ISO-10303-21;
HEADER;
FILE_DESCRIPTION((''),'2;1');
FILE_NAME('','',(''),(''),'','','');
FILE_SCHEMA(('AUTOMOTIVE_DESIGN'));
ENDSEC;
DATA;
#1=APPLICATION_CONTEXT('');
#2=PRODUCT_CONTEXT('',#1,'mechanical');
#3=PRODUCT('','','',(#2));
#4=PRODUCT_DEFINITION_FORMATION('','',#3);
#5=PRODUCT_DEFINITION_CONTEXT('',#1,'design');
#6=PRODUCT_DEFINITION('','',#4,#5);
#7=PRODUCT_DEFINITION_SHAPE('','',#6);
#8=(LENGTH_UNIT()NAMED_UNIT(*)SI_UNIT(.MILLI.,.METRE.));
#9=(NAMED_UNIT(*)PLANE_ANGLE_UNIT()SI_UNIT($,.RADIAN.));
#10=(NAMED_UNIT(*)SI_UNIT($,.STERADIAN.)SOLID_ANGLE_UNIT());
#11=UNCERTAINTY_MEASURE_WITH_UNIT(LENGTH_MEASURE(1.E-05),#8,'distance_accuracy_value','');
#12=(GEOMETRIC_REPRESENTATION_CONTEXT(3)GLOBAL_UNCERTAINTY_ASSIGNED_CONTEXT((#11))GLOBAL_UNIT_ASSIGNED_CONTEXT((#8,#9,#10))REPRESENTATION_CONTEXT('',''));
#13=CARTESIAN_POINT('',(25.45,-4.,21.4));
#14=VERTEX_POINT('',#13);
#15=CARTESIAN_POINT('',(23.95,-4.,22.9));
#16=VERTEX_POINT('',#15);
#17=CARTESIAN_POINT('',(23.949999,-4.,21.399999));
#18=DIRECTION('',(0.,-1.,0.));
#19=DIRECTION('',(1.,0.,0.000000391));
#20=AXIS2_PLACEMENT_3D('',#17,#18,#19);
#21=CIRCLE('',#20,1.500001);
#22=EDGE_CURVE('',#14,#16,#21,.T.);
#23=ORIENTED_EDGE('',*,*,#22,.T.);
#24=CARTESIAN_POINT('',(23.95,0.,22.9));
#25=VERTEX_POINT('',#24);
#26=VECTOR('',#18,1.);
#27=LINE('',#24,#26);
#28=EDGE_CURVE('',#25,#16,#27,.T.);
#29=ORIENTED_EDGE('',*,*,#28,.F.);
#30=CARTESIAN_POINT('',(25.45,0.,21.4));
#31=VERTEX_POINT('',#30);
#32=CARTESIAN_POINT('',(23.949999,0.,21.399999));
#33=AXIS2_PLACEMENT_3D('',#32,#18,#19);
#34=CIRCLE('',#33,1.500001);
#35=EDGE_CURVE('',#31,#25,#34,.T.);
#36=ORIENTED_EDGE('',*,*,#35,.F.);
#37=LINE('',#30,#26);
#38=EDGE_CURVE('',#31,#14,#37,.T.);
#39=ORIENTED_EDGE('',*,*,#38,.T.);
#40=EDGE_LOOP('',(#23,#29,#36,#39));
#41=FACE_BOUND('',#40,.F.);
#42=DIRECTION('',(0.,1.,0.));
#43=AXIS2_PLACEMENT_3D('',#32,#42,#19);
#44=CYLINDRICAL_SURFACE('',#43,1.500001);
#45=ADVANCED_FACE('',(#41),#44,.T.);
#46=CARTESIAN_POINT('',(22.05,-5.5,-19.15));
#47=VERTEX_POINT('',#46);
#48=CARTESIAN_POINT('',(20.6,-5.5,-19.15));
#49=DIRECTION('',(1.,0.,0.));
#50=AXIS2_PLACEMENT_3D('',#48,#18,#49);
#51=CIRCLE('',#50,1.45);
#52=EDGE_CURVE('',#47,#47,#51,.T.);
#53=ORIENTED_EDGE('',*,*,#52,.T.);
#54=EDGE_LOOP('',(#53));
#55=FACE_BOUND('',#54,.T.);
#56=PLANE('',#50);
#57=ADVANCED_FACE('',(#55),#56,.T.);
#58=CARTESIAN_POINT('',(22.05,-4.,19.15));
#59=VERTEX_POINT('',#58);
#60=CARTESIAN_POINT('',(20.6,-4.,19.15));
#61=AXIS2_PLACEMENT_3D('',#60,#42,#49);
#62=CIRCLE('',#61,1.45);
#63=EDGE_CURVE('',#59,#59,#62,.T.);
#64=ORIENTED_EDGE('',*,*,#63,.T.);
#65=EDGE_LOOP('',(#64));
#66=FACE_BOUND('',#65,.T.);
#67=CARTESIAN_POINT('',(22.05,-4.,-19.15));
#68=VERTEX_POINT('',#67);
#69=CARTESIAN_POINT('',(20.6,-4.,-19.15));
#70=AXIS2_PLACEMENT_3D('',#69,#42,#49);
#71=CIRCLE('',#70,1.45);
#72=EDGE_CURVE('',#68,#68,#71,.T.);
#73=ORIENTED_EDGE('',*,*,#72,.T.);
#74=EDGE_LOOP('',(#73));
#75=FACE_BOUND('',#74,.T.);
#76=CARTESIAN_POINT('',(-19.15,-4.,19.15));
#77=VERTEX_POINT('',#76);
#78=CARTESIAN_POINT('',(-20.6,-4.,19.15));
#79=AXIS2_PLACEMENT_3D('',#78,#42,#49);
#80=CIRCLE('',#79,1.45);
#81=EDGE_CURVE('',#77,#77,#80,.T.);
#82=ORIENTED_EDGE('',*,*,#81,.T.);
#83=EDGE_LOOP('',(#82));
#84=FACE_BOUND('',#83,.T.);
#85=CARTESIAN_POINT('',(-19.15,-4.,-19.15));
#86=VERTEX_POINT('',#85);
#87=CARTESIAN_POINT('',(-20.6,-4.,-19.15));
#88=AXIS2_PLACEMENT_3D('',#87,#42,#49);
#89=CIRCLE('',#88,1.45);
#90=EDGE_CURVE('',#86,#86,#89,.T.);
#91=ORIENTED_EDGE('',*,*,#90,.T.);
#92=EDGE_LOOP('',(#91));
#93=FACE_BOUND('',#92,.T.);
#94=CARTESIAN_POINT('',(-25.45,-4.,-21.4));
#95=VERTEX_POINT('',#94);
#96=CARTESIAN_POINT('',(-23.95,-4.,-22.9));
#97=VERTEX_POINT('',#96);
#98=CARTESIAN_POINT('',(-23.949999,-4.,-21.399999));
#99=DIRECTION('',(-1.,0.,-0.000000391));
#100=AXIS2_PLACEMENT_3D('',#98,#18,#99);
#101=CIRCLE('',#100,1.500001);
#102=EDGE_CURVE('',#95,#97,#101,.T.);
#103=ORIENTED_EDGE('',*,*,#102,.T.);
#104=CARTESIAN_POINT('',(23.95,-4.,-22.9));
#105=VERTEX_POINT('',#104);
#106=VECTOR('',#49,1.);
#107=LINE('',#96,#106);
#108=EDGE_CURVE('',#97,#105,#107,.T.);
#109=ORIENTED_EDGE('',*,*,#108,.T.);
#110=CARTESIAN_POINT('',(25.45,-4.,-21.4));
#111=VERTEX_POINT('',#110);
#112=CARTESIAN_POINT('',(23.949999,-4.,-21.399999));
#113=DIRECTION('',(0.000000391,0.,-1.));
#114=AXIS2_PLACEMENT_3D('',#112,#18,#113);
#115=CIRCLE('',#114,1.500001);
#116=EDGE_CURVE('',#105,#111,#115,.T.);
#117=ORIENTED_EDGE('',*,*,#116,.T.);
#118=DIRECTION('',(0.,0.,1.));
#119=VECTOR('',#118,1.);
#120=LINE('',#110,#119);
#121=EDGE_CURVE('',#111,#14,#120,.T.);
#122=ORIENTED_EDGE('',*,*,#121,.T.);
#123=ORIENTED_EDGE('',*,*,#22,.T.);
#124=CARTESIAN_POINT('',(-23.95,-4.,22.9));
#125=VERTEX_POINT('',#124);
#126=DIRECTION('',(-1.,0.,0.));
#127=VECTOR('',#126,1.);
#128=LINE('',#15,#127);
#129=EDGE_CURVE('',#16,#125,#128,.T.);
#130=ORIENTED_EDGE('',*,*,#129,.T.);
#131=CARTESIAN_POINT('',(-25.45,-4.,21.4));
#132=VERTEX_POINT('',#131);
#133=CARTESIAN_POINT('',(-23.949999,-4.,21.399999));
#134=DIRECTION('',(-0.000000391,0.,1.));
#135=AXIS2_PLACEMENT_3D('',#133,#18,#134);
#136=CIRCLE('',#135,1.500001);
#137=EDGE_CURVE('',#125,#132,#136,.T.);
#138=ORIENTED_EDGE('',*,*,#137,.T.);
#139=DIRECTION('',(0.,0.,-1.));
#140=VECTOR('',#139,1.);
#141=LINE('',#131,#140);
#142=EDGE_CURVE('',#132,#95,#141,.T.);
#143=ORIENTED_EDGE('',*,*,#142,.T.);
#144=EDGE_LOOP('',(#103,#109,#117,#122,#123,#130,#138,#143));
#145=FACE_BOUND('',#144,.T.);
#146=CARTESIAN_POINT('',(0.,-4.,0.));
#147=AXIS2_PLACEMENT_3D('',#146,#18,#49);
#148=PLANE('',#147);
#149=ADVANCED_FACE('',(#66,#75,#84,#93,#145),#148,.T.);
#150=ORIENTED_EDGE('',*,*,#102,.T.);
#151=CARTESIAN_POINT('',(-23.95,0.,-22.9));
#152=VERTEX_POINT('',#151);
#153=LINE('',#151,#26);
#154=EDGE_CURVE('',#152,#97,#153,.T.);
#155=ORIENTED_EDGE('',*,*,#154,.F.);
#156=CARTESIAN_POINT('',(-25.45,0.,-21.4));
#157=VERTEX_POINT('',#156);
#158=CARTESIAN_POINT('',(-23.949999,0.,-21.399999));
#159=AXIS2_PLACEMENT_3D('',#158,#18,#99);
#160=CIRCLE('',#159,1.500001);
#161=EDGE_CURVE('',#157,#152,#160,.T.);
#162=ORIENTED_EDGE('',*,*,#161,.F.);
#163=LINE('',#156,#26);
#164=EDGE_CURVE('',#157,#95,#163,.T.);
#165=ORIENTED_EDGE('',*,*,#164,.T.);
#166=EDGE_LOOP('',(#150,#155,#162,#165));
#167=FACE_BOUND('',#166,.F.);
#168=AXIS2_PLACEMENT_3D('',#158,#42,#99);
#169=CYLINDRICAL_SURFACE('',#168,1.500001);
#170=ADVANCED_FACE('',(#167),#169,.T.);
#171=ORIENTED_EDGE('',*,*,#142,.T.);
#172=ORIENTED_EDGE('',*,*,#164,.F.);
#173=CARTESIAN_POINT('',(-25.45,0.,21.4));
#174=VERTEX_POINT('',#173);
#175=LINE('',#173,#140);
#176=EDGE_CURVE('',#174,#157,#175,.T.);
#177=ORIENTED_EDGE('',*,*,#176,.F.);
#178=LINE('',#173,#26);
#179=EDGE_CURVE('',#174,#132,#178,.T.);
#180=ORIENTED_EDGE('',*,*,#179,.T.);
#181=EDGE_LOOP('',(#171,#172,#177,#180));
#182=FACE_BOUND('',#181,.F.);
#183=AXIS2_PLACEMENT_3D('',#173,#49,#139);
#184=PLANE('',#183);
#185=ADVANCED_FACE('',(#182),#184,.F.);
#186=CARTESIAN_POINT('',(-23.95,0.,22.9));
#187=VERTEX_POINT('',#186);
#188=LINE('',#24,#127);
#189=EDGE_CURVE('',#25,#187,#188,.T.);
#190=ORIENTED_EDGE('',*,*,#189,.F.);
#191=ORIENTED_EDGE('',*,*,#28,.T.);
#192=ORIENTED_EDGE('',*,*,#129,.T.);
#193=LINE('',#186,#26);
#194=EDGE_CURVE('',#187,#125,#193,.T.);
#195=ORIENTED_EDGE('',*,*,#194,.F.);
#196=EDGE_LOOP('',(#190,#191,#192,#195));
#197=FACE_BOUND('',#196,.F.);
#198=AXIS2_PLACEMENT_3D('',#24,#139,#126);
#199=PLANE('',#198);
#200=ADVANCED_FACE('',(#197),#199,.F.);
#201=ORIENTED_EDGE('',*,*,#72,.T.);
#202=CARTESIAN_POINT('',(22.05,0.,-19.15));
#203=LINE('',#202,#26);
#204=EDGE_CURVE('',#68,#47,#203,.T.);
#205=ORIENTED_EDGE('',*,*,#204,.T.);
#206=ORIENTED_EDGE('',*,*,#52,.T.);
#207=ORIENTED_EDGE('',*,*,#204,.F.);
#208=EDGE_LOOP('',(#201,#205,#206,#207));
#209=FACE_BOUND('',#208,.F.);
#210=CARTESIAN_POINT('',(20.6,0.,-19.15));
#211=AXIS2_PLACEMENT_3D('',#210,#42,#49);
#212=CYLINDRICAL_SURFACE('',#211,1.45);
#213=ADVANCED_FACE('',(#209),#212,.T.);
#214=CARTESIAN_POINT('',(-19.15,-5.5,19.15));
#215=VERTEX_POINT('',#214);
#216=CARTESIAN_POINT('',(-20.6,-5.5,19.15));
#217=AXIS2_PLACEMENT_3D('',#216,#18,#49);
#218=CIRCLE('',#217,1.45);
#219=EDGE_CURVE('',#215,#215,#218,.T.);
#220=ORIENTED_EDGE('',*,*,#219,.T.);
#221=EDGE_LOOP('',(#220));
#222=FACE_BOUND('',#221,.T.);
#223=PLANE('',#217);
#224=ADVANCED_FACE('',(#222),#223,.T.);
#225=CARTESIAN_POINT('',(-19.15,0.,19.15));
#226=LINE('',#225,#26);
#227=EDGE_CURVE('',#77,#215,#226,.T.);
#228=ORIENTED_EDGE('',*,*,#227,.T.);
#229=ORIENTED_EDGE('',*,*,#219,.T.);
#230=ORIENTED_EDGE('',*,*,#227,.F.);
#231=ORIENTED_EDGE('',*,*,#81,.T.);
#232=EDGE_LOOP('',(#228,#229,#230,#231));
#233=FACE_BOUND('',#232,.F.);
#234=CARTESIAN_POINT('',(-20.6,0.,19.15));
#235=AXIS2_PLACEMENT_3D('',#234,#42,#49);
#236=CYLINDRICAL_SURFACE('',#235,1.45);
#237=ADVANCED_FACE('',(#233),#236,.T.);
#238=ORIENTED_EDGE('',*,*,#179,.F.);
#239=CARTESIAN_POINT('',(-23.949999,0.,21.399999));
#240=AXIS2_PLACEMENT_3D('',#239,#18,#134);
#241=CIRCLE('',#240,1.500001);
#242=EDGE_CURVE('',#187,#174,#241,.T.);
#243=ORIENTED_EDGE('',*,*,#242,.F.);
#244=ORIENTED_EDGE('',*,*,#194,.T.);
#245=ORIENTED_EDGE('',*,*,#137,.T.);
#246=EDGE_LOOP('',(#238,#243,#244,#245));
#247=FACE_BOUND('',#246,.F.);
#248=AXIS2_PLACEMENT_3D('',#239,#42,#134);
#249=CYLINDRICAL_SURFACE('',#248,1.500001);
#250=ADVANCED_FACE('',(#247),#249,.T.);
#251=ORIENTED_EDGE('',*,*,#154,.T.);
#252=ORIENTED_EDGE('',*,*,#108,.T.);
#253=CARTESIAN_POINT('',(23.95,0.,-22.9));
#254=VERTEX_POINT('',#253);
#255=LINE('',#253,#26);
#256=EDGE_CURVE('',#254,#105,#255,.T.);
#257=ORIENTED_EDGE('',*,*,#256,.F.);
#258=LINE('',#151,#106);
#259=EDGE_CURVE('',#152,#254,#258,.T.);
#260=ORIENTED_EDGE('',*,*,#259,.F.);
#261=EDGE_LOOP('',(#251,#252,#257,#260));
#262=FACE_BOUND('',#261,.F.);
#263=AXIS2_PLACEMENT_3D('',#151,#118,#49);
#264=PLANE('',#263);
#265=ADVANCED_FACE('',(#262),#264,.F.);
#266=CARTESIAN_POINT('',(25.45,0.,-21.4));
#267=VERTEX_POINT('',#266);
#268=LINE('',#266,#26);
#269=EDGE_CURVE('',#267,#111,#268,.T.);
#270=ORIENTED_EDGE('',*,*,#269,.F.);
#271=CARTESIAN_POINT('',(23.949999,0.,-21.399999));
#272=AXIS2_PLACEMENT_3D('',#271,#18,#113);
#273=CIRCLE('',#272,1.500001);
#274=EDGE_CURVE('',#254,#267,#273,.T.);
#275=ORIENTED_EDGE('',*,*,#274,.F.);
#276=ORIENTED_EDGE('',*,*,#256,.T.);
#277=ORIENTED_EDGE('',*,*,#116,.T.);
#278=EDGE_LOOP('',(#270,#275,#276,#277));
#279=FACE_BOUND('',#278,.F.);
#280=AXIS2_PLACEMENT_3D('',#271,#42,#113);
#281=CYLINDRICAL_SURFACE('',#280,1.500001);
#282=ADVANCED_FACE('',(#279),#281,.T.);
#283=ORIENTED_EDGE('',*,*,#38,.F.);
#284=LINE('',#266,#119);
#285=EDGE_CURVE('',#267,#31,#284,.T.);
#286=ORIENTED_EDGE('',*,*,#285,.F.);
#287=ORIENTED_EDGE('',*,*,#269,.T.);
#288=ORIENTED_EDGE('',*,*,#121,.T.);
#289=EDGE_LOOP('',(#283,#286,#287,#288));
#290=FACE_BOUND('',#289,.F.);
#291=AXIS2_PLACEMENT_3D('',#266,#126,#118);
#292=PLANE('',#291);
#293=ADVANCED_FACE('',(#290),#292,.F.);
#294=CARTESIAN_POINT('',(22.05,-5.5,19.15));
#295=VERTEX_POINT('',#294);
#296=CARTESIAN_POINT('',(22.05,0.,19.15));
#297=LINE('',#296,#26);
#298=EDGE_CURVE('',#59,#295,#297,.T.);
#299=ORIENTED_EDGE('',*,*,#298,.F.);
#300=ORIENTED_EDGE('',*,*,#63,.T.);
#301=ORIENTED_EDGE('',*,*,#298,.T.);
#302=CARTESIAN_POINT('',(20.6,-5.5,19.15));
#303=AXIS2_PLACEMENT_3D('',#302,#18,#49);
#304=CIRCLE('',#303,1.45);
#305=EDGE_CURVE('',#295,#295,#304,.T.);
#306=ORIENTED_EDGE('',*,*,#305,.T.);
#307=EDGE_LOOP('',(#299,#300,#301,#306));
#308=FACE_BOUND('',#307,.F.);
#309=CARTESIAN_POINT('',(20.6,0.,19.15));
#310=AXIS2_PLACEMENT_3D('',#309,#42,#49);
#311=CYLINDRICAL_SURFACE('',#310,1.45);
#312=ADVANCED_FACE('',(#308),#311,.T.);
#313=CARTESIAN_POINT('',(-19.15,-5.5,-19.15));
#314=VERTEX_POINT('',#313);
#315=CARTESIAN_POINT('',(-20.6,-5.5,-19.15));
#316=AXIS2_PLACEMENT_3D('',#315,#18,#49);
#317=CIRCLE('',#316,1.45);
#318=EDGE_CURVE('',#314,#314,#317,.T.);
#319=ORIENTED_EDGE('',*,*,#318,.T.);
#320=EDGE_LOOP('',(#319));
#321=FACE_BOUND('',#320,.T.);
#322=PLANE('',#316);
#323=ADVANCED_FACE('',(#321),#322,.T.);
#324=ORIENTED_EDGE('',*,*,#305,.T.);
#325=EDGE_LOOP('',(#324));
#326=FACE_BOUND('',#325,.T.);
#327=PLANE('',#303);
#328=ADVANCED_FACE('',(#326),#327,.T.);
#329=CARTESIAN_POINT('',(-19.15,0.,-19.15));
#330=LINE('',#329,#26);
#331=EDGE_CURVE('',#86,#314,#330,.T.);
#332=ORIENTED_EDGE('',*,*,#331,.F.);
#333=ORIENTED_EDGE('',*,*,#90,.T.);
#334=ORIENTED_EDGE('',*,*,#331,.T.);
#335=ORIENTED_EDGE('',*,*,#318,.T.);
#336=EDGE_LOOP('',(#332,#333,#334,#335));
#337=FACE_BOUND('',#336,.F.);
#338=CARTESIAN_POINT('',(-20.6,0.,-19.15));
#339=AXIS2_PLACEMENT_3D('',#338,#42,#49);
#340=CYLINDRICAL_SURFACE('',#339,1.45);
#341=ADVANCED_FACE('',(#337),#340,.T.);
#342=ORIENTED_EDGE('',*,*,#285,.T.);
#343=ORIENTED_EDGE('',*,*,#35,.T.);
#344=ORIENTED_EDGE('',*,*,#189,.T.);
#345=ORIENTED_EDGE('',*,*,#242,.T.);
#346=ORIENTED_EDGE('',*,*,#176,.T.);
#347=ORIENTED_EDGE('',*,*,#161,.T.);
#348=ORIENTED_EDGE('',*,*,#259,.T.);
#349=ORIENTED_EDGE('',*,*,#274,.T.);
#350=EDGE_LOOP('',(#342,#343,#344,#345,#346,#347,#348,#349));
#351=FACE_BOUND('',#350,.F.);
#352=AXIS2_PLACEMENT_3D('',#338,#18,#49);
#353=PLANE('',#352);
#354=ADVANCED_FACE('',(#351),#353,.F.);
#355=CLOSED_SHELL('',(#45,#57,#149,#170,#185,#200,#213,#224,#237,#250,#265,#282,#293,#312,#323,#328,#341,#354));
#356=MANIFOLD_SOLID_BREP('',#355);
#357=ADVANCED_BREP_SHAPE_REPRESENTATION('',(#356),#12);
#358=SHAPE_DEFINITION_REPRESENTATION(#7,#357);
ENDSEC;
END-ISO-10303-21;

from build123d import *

# Parameters (mm, degrees)
F0_R     = 1.45
F1_DEPTH = 4
F2_DEPTH = 5.5


with BuildPart() as f1:
    # F0 (on Front) → F1 (new body)
    with BuildSketch(Plane.XZ):
        with BuildLine():
            Line((23.95, 22.9), (-23.95, 22.9))
            ThreePointArc((-23.95, 22.9), (-25.01066, 22.46066), (-25.45, 21.4))
            Line((-25.45, 21.4), (-25.45, -21.4))
            ThreePointArc((-25.45, -21.4), (-25.01066, -22.46066), (-23.95, -22.9))
            Line((-23.95, -22.9), (23.95, -22.9))
            ThreePointArc((23.95, -22.9), (25.01066, -22.46066), (25.45, -21.4))
            Line((25.45, -21.4), (25.45, 21.4))
            ThreePointArc((25.45, 21.4), (25.01066, 22.46066), (23.95, 22.9))
        make_face()
        with Locations((-20.6, -19.15)):
            Circle(F0_R, mode=Mode.SUBTRACT)
        with Locations((20.6, -19.15)):
            Circle(F0_R, mode=Mode.SUBTRACT)
        with Locations((-20.6, 19.15)):
            Circle(F0_R, mode=Mode.SUBTRACT)
        with Locations((20.6, 19.15)):
            Circle(F0_R, mode=Mode.SUBTRACT)
        with Locations((20.6, 19.15)):
            Circle(F0_R)
        with Locations((-20.6, 19.15)):
            Circle(F0_R)
        with Locations((-20.6, -19.15)):
            Circle(F0_R)
        with Locations((20.6, -19.15)):
            Circle(F0_R)
    extrude(amount=F1_DEPTH)

    # F0 (on Front) → F2 (join)
    with BuildSketch(Plane.XZ):
        with Locations((-20.6, -19.15)):
            Circle(F0_R)
        with Locations((-20.6, 19.15)):
            Circle(F0_R)
        with Locations((20.6, 19.15)):
            Circle(F0_R)
        with Locations((20.6, -19.15)):
            Circle(F0_R)
    extrude(amount=F2_DEPTH)


solid = f1.part
